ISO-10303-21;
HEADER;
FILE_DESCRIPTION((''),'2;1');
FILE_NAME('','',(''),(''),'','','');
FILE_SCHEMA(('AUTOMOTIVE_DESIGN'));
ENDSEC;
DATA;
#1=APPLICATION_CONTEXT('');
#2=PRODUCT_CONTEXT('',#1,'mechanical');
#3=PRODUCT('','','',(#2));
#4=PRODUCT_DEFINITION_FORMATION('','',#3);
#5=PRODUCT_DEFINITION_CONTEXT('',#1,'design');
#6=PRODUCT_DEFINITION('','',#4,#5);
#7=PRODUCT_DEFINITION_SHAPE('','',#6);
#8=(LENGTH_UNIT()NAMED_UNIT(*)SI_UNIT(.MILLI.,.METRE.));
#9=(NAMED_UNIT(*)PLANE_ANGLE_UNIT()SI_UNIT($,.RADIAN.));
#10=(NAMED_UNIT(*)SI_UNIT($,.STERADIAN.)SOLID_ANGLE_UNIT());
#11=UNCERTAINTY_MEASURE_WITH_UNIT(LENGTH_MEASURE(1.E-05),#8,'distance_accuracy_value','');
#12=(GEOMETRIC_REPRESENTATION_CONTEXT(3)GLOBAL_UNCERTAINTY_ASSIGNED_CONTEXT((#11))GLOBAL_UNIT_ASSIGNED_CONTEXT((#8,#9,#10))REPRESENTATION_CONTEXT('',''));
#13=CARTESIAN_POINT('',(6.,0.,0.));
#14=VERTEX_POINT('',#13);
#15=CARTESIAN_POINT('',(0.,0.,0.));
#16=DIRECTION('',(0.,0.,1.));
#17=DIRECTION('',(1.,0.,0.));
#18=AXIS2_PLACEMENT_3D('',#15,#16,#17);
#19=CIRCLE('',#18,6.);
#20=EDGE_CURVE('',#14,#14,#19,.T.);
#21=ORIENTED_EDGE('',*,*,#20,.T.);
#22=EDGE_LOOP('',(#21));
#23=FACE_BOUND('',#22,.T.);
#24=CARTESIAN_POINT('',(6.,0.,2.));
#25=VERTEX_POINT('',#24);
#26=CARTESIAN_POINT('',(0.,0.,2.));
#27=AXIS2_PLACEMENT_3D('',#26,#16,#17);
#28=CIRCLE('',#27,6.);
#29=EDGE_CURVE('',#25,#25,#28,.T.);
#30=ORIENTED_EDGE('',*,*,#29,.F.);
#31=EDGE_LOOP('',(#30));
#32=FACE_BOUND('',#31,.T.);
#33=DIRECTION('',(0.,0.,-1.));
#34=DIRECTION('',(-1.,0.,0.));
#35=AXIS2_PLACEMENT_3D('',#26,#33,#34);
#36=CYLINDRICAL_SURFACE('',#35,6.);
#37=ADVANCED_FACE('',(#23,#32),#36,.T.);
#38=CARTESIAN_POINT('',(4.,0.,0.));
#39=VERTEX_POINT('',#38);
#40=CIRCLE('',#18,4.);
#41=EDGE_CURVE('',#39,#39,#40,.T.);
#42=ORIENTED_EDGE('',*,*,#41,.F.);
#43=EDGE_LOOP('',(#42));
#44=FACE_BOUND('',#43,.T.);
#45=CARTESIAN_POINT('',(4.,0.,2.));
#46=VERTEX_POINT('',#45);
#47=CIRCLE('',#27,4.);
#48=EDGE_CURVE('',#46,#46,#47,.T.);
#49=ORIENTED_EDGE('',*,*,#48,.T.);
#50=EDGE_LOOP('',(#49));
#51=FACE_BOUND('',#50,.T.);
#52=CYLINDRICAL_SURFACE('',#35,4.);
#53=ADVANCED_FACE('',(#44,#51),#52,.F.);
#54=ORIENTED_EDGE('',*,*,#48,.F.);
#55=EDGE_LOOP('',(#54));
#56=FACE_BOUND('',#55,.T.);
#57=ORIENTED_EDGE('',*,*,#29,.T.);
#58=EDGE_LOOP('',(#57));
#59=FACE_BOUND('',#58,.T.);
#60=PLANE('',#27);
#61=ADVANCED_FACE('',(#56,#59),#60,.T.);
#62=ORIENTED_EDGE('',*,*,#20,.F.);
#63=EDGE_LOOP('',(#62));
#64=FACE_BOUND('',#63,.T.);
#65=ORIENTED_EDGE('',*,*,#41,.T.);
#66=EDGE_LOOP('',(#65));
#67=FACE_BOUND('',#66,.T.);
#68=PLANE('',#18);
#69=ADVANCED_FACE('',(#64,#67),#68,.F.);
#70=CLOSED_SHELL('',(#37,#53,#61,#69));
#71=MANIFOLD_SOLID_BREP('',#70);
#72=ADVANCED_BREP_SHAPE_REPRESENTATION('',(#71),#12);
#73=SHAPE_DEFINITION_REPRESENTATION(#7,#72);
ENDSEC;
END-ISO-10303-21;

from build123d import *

# Parameters (mm, degrees)
ESQUISSE1_R      = 6
ESQUISSE1_R_2    = 4
EXTRUSION1_DEPTH = 2


with BuildPart() as part:
    # Esquisse1 → Extrusion1 (new body)
    with BuildSketch(Plane.XY):
        Circle(ESQUISSE1_R)
        Circle(ESQUISSE1_R_2, mode=Mode.SUBTRACT)
    extrude(amount=EXTRUSION1_DEPTH)


solid = part.part
